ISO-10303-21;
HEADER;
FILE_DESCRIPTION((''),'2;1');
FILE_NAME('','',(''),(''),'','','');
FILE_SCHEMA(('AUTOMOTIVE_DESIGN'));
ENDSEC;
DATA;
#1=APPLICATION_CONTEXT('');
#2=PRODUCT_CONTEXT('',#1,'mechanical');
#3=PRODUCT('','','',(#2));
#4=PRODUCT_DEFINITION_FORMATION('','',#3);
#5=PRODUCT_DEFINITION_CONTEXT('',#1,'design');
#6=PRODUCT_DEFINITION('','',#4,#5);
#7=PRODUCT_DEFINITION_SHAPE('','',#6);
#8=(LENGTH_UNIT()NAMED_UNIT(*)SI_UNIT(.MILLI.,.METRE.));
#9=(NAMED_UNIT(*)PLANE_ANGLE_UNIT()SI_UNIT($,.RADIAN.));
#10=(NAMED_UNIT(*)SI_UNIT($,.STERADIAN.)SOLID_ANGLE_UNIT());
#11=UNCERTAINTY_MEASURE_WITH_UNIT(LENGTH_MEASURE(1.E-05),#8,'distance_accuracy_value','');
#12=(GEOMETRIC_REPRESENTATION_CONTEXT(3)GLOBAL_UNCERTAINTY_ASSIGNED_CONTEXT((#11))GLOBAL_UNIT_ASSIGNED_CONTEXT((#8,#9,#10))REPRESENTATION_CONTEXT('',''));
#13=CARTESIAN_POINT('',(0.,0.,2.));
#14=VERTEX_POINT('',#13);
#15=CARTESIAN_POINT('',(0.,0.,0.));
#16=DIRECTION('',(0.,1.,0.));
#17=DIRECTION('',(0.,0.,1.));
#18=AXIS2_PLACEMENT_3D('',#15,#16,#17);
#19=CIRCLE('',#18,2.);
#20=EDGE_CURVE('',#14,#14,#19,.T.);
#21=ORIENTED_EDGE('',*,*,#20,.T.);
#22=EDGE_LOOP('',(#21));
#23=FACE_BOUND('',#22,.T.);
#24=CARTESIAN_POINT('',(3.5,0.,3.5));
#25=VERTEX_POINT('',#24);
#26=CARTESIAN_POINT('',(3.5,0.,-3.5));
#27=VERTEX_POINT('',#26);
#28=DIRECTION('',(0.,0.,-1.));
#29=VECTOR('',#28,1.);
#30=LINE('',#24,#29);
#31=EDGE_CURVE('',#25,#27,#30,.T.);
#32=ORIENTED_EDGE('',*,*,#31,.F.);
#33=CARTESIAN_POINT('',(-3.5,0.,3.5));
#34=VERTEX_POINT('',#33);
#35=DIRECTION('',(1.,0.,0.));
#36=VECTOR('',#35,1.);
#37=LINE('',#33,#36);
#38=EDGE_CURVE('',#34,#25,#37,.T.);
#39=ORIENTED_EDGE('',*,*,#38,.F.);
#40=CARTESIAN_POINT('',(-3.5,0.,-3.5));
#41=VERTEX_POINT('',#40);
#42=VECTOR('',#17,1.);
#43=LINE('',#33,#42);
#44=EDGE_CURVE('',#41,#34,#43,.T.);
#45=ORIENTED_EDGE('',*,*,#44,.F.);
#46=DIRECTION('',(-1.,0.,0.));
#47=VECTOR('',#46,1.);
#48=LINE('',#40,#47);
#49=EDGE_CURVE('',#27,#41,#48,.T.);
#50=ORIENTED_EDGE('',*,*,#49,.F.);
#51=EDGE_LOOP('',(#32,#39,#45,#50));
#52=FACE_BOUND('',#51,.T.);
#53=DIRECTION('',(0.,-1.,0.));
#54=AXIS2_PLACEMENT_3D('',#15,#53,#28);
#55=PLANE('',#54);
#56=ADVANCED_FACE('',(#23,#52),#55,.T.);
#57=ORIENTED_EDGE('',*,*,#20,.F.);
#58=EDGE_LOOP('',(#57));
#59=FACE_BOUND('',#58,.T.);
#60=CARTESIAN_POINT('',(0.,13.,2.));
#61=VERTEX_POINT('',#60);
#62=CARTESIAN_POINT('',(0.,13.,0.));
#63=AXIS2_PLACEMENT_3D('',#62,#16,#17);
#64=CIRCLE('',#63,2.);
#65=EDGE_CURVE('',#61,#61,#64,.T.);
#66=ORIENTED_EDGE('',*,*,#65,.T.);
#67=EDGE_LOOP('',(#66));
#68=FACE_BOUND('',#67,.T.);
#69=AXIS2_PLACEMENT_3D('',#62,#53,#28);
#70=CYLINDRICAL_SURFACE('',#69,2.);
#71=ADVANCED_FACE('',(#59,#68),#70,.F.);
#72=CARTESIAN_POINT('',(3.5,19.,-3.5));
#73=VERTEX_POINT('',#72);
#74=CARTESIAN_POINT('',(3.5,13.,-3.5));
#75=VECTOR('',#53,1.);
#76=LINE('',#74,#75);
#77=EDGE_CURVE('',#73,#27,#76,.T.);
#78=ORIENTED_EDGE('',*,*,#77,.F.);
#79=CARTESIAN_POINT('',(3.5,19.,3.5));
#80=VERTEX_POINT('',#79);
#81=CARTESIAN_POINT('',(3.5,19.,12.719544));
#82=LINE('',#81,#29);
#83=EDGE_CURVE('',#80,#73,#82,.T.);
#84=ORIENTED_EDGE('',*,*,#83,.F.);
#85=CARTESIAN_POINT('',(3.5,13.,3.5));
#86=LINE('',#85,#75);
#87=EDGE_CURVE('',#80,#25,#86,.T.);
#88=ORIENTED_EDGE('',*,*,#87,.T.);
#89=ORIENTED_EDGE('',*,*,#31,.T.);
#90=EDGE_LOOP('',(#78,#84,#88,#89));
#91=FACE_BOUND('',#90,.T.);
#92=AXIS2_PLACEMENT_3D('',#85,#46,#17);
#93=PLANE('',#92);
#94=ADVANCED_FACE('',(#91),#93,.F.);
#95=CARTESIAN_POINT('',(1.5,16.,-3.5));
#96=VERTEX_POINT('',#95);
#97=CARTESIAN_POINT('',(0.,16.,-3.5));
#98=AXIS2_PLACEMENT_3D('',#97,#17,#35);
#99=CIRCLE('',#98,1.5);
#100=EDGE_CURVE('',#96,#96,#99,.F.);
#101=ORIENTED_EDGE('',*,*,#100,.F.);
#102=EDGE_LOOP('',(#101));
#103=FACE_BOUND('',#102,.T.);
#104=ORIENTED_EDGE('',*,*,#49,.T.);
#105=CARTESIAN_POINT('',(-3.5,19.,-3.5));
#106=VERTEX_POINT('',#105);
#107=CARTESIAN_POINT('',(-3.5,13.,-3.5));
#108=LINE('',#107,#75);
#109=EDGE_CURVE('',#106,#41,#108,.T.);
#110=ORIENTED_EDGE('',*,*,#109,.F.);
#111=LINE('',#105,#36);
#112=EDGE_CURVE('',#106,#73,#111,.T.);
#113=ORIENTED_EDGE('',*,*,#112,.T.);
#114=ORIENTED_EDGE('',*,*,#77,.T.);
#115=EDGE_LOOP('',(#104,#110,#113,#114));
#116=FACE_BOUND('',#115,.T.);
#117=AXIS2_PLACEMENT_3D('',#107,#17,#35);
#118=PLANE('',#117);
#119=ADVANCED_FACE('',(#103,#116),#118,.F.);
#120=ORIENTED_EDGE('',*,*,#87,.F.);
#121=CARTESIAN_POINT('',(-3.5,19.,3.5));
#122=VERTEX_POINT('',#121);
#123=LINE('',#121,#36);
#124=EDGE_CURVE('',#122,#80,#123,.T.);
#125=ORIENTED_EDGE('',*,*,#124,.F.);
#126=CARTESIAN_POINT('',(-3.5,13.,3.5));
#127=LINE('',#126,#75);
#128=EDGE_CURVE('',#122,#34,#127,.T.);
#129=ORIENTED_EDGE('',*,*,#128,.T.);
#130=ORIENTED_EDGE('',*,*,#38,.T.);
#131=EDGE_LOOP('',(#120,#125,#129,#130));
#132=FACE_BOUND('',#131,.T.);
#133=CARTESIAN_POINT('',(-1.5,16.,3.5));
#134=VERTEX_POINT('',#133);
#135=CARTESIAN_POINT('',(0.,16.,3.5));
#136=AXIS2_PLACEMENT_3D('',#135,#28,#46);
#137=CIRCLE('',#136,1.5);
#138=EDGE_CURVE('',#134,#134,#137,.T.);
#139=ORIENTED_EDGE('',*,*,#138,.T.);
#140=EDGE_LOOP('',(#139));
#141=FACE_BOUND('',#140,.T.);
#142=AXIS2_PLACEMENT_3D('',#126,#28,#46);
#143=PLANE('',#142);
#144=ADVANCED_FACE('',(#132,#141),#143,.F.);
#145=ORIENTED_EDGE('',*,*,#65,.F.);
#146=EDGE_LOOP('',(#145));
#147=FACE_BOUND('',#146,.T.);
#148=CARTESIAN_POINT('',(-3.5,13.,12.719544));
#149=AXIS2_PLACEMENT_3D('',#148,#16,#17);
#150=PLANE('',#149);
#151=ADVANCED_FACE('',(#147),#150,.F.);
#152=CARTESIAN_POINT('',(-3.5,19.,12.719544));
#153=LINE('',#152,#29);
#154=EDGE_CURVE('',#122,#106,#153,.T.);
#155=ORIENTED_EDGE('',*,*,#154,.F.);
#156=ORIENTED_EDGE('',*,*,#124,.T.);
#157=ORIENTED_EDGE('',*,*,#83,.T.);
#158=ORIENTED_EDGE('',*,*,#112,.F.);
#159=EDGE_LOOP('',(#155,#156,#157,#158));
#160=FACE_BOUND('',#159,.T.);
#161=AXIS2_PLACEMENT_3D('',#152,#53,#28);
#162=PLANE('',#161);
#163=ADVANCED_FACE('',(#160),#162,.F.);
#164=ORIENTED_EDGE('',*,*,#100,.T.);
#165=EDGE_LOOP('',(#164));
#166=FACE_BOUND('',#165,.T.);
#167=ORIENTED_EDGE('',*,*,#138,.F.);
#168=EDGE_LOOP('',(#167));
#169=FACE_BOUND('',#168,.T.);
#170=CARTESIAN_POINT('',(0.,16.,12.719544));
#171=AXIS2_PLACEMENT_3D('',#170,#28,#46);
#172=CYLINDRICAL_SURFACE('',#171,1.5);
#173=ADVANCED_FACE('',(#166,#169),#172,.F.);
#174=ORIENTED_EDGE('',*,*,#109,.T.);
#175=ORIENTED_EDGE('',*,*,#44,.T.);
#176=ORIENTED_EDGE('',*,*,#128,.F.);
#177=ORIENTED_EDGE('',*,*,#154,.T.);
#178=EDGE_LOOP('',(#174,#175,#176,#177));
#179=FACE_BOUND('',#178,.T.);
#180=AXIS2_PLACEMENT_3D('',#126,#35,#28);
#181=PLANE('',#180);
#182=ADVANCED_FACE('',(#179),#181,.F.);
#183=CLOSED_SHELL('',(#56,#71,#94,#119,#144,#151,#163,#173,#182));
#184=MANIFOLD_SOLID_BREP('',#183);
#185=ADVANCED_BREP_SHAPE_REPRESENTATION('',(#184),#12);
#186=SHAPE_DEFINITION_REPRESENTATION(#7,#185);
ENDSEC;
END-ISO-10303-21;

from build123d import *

# Parameters (mm, degrees)
SKETCH1_W                       = 7
SKETCH1_H                       = 7
SKETCH1_R                       = 2
BOSS_EXTRUDE1_DEPTH             = 13
BOSS_EXTRUDE2_REACH             = 5.5
SKETCH2_W                       = 7
SKETCH2_H                       = 6
SKETCH2_R                       = 1.5
BOSS_EXTRUDE2_DIRECTION_2_REACH = 5.5


with BuildPart() as part:
    # Sketch1 → Boss-Extrude1 (new body)
    with BuildSketch(Plane(origin=(0, 0, 0), x_dir=(1, 0, 0), z_dir=(0, 1, 0))):
        Rectangle(SKETCH1_W, SKETCH1_H)
        Circle(SKETCH1_R, mode=Mode.SUBTRACT)
    extrude(amount=BOSS_EXTRUDE1_DEPTH)

    # Boss-Extrude2: up to this face of the body (flat: up to its plane)
    boss_extrude2_end = Plane(part.part.faces().sort_by_distance((0, 6.5, 3.5))[0])
    # Sketch2 → Boss-Extrude2 (add, up to the picked face)
    with BuildSketch(Plane.XY, mode=Mode.PRIVATE) as boss_extrude2_sk1:
        with Locations((0, 16)):
            Rectangle(SKETCH2_W, SKETCH2_H)
        with Locations((0, 16)):
            Circle(SKETCH2_R, mode=Mode.SUBTRACT)
    boss_extrude2_tool1 = split(extrude(boss_extrude2_sk1.sketch, amount=BOSS_EXTRUDE2_REACH, mode=Mode.PRIVATE), bisect_by=boss_extrude2_end, keep=Keep.BOTH, mode=Mode.PRIVATE)
    add(boss_extrude2_tool1.solids().sort_by_distance((0, 18.907805, 0))[0])

    # Boss-Extrude2 direction 2: up to this face of the body (flat: up to its plane)
    boss_extrude2_direction_2_end = Plane(part.part.faces().sort_by_distance((0, 6.5, -3.5))[0])
    # Sketch2 → Boss-Extrude2 direction 2 (add, up to the picked face)
    with BuildSketch(Plane.XY, mode=Mode.PRIVATE) as boss_extrude2_direction_2_sk1:
        with Locations((0, 16)):
            Rectangle(SKETCH2_W, SKETCH2_H)
        with Locations((0, 16)):
            Circle(SKETCH2_R, mode=Mode.SUBTRACT)
    boss_extrude2_direction_2_tool1 = split(extrude(boss_extrude2_direction_2_sk1.sketch, amount=-BOSS_EXTRUDE2_DIRECTION_2_REACH, mode=Mode.PRIVATE), bisect_by=boss_extrude2_direction_2_end, keep=Keep.BOTH, mode=Mode.PRIVATE)
    add(boss_extrude2_direction_2_tool1.solids().sort_by_distance((0, 18.907805, 0))[0])


solid = part.part
